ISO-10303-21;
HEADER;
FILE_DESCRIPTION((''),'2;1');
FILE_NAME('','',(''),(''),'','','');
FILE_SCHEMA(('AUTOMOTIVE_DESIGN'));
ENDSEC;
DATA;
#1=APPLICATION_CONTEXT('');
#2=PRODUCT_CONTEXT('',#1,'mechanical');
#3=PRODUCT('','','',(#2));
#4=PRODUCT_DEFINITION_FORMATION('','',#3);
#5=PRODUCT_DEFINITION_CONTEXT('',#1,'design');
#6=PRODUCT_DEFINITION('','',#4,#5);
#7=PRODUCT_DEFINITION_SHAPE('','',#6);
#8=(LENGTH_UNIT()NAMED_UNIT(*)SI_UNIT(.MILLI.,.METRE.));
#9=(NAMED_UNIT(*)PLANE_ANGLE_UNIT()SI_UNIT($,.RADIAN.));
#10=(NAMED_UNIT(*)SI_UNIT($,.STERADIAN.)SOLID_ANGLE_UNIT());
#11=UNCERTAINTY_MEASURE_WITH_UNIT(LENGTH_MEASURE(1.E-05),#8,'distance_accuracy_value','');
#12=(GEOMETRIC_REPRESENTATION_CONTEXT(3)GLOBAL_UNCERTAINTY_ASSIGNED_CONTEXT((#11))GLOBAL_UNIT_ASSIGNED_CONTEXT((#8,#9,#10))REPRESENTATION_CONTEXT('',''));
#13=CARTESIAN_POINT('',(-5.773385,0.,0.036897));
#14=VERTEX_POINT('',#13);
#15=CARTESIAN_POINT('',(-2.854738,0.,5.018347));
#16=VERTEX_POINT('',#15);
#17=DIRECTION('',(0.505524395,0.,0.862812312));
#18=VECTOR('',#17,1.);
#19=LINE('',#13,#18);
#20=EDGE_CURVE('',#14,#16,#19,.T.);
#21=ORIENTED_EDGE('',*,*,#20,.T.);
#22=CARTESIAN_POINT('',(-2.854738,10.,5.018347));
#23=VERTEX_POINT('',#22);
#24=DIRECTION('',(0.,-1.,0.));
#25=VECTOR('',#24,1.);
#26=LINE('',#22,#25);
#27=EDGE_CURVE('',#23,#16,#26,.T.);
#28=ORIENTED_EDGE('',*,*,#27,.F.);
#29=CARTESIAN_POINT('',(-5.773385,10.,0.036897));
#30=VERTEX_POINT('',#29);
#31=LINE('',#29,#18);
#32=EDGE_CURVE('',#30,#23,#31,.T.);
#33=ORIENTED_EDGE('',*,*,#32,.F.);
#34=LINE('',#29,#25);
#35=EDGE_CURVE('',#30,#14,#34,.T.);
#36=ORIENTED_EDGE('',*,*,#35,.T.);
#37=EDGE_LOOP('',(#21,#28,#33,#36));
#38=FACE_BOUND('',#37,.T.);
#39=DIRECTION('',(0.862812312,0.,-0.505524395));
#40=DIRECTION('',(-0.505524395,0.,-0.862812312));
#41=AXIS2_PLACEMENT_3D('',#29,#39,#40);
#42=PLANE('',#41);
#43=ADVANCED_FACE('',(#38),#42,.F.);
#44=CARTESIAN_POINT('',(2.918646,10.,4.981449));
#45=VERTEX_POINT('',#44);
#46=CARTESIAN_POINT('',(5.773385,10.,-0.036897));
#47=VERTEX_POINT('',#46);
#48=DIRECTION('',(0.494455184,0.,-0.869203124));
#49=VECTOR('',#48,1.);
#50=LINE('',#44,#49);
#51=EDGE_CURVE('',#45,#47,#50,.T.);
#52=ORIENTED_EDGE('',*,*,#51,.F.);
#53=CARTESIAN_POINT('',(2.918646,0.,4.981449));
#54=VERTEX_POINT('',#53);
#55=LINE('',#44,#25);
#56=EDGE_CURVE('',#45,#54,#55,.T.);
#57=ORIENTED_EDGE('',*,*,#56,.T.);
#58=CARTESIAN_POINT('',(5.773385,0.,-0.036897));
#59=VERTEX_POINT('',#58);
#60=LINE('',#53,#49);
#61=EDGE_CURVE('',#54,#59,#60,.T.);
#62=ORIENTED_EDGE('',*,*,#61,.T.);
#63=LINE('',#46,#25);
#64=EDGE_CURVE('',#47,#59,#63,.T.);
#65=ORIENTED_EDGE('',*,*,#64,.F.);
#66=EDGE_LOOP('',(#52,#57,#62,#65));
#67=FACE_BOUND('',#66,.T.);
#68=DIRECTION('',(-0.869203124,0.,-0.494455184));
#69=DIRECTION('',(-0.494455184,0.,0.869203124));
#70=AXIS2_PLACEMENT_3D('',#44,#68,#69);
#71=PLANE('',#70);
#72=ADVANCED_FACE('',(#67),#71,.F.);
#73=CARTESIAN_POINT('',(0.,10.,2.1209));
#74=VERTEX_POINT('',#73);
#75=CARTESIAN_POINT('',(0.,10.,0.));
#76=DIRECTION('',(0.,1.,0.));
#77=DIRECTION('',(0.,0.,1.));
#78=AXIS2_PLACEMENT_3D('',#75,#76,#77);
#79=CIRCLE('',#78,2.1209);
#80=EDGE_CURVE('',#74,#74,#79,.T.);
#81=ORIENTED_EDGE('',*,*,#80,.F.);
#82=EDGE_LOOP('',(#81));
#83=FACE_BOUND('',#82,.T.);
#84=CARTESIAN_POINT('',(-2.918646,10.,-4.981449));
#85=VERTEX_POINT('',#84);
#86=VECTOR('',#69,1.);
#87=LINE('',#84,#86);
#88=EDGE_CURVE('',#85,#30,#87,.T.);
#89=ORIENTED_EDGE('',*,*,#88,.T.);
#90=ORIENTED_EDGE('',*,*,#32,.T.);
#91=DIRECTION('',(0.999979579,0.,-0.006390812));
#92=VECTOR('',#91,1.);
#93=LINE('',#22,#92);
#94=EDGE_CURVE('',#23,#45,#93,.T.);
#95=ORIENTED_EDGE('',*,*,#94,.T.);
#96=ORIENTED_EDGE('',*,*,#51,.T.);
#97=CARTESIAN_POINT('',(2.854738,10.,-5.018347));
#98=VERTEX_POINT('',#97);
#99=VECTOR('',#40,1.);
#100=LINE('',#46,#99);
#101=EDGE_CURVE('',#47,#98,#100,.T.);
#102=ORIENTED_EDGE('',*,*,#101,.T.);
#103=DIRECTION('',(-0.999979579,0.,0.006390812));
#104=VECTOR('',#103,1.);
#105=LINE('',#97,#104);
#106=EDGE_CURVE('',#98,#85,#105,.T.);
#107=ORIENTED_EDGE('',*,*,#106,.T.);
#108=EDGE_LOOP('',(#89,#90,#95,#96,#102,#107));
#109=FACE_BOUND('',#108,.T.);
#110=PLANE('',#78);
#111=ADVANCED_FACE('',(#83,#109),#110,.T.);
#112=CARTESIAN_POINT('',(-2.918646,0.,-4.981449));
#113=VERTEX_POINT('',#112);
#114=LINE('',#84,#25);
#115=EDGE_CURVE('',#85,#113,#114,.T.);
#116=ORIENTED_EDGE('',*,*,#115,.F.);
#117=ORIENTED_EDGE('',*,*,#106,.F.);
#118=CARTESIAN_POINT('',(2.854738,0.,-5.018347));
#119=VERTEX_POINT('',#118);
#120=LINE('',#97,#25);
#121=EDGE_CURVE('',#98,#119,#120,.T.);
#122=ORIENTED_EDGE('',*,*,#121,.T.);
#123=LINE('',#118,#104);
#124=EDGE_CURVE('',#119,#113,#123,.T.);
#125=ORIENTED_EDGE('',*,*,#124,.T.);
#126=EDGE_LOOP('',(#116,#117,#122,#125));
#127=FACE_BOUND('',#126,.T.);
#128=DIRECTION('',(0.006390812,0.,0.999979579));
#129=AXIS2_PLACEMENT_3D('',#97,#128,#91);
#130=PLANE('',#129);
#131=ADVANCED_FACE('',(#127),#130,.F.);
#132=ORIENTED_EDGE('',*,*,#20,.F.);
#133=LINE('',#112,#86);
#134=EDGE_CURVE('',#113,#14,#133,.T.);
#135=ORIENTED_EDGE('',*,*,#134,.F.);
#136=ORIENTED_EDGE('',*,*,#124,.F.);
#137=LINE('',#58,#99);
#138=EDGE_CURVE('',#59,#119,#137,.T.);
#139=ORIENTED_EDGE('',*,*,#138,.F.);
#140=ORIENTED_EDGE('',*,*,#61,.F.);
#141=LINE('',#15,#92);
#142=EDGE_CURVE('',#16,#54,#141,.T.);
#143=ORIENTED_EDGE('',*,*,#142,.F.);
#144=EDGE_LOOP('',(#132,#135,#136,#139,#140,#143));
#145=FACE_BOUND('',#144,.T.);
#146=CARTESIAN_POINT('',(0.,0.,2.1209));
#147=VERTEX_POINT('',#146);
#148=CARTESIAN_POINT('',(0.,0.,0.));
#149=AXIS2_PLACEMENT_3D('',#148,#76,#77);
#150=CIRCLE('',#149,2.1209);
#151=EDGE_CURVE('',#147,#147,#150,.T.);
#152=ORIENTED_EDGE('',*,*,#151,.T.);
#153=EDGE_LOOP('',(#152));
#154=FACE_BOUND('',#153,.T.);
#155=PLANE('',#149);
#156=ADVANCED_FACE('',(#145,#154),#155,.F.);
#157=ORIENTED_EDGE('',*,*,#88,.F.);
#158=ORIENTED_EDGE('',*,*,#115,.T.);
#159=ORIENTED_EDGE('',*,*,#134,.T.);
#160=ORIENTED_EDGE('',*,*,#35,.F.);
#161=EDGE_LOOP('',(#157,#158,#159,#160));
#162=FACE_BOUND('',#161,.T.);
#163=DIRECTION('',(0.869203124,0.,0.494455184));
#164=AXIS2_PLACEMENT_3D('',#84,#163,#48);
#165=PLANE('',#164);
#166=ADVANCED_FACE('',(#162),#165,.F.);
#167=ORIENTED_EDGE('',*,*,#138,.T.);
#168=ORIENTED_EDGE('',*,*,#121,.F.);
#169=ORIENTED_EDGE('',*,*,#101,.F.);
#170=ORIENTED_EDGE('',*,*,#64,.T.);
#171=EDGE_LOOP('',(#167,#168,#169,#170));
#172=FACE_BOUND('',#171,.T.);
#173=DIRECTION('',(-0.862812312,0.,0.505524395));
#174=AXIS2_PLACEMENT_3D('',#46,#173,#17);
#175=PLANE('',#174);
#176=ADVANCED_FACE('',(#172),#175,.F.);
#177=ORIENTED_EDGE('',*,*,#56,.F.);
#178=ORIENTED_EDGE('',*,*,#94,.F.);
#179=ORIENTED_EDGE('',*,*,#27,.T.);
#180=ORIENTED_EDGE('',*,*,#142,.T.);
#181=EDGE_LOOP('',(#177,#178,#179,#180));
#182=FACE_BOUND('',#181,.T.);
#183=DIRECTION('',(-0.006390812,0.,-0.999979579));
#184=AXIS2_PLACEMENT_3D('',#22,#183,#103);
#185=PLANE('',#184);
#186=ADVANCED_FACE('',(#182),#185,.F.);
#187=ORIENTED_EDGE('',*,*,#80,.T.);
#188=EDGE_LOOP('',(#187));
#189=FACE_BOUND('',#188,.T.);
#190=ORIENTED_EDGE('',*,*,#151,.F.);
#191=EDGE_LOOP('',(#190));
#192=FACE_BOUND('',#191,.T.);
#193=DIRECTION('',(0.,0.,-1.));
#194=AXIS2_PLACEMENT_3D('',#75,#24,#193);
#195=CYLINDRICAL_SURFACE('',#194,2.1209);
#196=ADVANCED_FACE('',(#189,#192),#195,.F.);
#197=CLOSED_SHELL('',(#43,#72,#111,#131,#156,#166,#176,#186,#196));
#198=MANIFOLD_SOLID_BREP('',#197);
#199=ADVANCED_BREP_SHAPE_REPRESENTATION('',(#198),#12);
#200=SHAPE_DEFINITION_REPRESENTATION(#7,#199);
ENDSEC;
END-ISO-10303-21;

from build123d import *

# Parameters (mm, degrees)
SKETCH2_R           = 2.1209
BOSS_EXTRUDE1_DEPTH = 10


with BuildPart() as part:
    # Sketch2 → Boss-Extrude1 (new body)
    with BuildSketch(Plane(origin=(0, 0, 0), x_dir=(1, 0, 0), z_dir=(0, 1, 0))):
        Polygon((2.918646453, -4.981449209), (5.773384789, 0.036897368), (2.854738336, 5.018346577), (-2.918646453, 4.981449209), (-5.773384789, -0.036897368), (-2.854738336, -5.018346577), align=None)
        with Locations(Location((0, 0, 0), (0, 0, 270))):
            Circle(SKETCH2_R, mode=Mode.SUBTRACT)
    extrude(amount=BOSS_EXTRUDE1_DEPTH)


solid = part.part
